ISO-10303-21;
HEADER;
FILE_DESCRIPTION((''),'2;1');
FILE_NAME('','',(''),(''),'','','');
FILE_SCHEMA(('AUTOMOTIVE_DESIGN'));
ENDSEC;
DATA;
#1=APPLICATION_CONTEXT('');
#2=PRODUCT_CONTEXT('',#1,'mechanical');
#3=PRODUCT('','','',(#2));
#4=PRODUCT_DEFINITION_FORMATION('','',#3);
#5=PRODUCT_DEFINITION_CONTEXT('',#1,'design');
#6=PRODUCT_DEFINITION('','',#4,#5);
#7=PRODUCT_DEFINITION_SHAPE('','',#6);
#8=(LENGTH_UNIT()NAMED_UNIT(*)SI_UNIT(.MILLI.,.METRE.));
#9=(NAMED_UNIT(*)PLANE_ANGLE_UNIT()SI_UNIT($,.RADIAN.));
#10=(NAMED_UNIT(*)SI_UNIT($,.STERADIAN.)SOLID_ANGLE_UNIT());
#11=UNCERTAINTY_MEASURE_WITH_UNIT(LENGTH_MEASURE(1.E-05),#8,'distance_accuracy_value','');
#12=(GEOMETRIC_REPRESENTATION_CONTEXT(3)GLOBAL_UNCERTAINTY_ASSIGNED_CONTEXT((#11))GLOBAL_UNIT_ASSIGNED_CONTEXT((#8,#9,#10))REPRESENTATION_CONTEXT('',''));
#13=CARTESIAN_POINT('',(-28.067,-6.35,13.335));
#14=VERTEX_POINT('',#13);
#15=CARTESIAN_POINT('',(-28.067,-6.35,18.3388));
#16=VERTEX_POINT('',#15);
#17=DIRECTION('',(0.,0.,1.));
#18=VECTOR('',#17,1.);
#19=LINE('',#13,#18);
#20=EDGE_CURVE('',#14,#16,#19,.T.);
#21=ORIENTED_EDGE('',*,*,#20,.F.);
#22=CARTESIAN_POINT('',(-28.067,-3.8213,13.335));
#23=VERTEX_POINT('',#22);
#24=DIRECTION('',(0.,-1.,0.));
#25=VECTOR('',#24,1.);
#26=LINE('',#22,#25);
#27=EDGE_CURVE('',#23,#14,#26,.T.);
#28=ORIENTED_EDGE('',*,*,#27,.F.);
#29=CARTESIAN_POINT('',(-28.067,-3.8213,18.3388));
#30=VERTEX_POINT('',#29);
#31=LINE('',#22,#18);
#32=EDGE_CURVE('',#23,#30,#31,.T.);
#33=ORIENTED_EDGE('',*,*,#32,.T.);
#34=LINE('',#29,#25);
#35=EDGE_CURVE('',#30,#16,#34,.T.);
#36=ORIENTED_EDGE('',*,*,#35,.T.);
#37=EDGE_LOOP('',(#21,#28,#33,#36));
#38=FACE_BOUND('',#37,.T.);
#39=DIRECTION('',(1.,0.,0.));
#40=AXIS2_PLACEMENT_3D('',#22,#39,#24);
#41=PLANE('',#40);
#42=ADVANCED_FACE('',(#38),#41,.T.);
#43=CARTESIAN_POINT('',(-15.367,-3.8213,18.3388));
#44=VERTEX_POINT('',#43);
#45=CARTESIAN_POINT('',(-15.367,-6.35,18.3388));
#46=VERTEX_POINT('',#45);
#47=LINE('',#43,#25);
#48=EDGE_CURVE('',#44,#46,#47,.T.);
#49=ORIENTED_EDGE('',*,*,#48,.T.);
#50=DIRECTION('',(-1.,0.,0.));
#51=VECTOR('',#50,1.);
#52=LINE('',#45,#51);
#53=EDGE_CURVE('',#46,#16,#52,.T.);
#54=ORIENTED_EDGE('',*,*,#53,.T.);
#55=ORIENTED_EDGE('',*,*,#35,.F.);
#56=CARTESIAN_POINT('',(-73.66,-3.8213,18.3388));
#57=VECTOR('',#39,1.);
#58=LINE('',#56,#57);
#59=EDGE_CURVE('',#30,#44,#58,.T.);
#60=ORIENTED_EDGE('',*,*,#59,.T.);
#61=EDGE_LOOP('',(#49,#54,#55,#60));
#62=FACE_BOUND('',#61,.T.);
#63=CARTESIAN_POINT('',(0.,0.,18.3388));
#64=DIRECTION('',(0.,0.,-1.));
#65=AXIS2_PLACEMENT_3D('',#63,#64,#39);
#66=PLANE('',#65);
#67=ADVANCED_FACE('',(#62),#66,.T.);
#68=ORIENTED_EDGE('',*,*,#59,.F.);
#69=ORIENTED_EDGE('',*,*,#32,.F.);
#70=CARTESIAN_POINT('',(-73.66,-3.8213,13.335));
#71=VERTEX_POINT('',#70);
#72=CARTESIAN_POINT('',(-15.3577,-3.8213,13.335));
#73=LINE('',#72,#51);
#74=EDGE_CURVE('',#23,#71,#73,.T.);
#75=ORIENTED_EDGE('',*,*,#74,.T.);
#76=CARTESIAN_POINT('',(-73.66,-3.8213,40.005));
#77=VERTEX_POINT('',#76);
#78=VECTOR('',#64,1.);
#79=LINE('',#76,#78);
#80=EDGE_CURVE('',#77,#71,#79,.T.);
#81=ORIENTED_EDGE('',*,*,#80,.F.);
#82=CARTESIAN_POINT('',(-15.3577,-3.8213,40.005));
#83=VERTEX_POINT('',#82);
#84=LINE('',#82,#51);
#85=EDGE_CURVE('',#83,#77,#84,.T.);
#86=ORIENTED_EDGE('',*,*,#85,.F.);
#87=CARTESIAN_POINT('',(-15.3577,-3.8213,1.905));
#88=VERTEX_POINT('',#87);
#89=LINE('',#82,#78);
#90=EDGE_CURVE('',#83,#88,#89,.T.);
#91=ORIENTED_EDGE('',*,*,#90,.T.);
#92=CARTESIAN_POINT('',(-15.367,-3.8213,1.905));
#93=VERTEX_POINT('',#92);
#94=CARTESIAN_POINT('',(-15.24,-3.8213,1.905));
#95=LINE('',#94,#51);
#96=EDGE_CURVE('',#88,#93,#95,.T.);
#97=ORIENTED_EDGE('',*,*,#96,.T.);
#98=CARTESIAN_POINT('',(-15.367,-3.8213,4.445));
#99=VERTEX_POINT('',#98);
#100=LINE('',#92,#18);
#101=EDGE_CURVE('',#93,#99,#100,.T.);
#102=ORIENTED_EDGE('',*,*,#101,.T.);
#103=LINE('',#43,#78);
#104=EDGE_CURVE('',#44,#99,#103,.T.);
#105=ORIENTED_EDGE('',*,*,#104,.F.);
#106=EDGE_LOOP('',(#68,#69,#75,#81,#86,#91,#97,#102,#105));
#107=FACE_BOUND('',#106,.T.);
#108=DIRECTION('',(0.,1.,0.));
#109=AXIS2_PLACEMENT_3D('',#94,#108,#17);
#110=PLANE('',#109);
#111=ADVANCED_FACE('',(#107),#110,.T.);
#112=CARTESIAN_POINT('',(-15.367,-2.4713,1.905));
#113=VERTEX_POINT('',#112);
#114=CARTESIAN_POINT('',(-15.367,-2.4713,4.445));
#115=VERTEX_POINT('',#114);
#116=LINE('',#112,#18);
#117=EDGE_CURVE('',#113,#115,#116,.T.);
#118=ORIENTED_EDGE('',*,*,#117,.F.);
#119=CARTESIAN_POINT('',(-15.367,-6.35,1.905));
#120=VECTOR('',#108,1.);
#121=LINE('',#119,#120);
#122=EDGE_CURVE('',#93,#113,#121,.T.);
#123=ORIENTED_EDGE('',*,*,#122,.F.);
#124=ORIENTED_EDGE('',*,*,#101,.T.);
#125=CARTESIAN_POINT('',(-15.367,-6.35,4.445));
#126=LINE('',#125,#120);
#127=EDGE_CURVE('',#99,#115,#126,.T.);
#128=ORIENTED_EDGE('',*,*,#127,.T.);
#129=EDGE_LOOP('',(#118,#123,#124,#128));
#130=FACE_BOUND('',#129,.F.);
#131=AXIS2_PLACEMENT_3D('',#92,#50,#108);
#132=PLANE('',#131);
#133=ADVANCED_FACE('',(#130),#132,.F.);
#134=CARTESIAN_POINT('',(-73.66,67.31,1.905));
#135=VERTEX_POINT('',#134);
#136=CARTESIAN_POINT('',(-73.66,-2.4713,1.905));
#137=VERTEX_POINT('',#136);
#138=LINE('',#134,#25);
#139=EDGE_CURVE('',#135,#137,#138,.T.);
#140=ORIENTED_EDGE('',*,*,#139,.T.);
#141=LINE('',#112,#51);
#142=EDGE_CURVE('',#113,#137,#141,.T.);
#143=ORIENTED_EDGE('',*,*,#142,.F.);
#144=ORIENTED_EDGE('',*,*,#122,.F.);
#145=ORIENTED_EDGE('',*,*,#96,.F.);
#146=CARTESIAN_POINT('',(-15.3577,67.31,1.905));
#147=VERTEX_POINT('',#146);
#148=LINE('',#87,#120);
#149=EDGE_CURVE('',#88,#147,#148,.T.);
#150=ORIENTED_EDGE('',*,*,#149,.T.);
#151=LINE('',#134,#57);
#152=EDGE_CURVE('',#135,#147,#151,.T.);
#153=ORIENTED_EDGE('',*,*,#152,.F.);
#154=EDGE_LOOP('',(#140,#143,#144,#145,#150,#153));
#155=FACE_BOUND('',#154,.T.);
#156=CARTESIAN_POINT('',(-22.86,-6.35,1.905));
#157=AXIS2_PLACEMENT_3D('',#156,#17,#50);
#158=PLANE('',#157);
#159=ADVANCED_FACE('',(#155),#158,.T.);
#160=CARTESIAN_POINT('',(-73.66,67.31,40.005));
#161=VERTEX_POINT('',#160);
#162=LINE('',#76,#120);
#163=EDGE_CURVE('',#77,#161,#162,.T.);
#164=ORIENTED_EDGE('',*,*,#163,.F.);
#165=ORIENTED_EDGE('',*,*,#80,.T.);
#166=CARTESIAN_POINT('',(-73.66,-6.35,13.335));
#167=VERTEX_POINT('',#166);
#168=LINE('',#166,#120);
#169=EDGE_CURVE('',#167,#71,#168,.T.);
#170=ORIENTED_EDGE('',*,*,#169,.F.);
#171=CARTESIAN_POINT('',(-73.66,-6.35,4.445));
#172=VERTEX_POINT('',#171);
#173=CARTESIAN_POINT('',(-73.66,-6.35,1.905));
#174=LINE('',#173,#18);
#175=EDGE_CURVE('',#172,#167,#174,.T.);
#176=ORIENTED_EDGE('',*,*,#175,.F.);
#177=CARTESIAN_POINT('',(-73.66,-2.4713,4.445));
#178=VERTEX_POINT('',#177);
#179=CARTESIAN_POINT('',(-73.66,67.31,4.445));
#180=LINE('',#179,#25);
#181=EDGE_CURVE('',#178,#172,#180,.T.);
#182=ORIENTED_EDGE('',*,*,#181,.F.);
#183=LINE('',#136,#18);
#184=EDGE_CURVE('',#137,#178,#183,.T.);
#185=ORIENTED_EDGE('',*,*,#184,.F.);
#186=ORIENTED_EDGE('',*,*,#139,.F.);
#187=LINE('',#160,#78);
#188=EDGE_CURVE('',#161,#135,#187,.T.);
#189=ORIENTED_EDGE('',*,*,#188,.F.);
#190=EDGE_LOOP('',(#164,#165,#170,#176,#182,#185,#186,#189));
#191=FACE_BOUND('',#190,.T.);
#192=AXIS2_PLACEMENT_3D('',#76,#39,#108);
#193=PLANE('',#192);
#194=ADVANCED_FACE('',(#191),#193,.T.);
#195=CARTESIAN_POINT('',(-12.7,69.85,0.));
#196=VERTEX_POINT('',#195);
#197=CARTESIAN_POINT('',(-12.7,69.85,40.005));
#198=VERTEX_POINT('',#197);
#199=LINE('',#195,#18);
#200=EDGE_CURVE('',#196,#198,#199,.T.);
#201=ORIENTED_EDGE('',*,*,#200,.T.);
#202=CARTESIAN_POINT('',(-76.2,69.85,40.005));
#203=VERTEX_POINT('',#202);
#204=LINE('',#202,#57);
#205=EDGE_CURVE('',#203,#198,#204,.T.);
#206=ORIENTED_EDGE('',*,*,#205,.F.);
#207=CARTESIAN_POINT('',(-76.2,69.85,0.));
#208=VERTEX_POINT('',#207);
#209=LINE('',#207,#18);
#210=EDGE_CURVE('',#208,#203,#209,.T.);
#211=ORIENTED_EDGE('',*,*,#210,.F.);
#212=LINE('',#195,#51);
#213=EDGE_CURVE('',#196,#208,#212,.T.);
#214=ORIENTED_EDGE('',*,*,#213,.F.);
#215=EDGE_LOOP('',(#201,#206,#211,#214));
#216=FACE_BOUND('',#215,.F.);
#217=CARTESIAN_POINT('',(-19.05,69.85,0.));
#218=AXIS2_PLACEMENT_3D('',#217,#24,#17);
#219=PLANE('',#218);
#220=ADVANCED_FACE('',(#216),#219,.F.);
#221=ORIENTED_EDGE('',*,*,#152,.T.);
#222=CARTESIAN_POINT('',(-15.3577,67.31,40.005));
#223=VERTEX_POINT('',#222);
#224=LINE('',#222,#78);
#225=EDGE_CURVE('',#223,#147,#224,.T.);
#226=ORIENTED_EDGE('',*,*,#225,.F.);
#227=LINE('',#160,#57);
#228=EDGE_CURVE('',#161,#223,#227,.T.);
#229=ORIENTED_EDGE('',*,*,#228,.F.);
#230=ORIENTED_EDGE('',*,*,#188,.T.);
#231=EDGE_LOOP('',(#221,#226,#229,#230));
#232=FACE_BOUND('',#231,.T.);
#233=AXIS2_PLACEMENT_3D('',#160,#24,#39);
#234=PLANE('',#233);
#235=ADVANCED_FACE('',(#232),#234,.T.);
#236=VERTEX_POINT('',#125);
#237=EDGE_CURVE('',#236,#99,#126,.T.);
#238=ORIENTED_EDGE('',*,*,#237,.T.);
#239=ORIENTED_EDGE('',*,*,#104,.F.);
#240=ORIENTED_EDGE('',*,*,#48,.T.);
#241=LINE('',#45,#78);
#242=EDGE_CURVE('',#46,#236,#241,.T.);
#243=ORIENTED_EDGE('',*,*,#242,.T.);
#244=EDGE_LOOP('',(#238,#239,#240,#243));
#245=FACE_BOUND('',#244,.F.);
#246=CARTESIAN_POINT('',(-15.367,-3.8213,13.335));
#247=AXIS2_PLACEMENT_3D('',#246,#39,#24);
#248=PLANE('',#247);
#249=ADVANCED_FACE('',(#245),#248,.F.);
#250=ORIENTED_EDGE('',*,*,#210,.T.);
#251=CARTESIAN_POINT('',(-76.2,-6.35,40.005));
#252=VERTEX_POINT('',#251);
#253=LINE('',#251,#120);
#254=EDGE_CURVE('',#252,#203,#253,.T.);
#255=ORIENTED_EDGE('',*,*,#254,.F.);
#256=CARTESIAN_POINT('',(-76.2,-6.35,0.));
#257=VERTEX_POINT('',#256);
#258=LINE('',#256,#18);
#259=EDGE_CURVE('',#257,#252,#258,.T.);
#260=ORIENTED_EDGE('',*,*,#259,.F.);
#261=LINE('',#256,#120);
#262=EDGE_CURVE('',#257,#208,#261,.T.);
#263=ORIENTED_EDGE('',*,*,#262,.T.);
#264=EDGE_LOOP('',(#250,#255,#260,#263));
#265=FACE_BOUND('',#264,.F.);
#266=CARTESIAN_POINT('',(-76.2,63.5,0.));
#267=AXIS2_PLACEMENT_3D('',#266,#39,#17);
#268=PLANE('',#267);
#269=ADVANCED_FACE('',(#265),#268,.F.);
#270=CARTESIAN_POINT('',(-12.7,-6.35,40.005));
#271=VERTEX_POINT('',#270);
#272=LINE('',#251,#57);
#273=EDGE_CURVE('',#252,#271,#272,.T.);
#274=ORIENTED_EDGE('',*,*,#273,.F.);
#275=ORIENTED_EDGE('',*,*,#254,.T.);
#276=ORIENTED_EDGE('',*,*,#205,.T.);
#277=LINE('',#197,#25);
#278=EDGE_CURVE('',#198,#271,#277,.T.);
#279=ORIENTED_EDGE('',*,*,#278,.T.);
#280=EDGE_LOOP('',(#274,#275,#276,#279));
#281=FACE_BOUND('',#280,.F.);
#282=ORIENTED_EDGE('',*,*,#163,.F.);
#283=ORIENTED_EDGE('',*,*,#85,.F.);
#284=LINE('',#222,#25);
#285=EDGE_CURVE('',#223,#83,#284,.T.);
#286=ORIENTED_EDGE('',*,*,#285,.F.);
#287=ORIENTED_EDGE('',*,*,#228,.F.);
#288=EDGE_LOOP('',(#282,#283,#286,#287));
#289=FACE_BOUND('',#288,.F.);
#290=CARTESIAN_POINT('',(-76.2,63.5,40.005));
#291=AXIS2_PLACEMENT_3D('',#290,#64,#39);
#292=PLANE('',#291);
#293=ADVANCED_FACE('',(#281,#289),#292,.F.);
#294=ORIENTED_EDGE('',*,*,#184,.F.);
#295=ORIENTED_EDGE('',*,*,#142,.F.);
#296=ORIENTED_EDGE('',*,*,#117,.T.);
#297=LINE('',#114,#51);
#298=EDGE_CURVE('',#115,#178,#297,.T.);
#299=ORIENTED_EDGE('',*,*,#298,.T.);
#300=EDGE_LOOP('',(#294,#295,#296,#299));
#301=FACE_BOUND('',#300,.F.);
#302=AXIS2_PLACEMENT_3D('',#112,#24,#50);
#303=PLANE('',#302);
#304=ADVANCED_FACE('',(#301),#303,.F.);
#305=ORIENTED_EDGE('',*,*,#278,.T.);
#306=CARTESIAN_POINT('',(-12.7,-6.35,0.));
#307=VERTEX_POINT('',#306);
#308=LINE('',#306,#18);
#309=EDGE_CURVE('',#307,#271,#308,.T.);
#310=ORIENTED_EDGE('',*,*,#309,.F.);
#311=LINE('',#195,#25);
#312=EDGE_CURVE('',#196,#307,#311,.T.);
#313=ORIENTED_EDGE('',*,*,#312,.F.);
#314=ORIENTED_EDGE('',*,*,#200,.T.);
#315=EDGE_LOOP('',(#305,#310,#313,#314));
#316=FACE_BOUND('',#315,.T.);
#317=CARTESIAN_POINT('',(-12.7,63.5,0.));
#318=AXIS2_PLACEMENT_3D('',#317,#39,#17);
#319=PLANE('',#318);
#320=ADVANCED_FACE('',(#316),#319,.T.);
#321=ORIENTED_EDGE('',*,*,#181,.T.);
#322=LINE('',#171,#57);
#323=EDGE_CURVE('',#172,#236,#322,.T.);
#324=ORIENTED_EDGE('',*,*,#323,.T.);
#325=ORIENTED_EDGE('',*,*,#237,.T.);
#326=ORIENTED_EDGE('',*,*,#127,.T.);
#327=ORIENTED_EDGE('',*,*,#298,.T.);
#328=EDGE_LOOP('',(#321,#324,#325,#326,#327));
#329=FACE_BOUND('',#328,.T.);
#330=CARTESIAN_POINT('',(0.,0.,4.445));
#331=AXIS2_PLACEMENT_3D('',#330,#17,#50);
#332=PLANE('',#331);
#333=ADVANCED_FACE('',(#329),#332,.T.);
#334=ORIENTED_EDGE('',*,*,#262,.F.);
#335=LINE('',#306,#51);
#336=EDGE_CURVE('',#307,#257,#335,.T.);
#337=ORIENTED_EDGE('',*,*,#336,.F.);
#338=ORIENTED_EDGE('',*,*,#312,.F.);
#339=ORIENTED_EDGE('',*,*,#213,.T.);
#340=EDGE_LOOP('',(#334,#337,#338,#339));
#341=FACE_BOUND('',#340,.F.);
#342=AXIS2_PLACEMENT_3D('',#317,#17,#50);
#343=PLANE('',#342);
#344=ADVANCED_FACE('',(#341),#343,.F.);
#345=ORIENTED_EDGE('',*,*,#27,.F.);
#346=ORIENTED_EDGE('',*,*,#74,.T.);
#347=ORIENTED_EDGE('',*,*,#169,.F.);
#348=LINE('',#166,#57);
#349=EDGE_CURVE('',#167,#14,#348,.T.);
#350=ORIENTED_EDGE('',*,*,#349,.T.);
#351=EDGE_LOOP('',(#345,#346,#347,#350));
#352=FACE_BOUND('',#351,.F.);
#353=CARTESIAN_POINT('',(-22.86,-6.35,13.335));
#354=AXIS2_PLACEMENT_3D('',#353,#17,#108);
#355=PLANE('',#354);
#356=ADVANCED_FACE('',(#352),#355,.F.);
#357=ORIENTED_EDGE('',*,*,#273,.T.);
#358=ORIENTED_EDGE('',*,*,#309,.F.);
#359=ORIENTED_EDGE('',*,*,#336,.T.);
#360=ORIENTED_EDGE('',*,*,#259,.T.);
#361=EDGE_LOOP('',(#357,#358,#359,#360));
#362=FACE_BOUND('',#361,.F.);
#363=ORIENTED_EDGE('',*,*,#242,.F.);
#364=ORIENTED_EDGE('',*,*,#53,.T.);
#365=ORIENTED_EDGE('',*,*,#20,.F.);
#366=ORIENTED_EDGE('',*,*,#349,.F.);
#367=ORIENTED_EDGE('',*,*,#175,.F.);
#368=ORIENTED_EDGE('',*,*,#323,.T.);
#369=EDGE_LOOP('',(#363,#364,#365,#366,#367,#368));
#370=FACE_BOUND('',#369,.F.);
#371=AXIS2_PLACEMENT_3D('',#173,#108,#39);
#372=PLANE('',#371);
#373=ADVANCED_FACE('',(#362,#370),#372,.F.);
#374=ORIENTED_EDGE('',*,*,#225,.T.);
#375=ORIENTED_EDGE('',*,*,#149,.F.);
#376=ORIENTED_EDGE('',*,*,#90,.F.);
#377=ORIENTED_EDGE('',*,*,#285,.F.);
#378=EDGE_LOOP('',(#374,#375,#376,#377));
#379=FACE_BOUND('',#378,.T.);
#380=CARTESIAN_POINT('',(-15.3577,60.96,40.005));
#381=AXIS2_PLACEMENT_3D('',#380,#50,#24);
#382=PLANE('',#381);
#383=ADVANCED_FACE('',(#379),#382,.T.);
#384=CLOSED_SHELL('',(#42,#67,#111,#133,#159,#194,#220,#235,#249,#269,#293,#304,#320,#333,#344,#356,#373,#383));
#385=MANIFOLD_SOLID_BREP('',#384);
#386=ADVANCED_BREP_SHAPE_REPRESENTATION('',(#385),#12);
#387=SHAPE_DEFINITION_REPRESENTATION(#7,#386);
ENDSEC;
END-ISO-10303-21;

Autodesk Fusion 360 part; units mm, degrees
sketch "Sketch1" plane through (0, 0, 0) normal (0, 0, 1) x (1, 0, 0)
  line L0 (-71.12, 30.48) -> (106.68, 30.48)
  line L1 (106.68, 30.48) -> (106.68, -102.87)
  line L2 (106.68, -102.87) -> (-71.12, -102.87)
  line L3 (-71.12, -102.87) -> (-71.12, 30.48)
  dimension "d1" = 177.8
  dimension "d2" = 133.35
sketch "Sketch2" plane through (0, 0, 0) normal (0, 0, 1) x (1, 0, 0)
  line L0 (-71.12, 30.48) -> (119.38, 30.48)
  line L1 (119.38, 30.48) -> (119.38, -115.57)
  line L2 (119.38, -115.57) -> (-71.12, -115.57)
  line L3 (-71.12, -115.57) -> (-71.12, 30.48)
  dimension "d23" = 146.05
sketch "Sketch3" plane through (-71.12, 0, 0) normal (-1, 0, 0) x (0, -1, 0)
  line L0 (102.87, 0) -> (115.57, 0)
  line L1 (115.57, 0) -> (115.57, 114.3)
  line L2 (115.57, 114.3) -> (102.87, 114.3)
  line L3 (88.9, 5.08) -> (38.1, 5.08)
  line L4 (38.1, 5.08) -> (38.1, 17.78)
  line L5 (38.1, 17.78) -> (88.9, 17.78)
  line L6 (88.9, 17.78) -> (88.9, 5.08)
  line L7 (102.87, 114.3) -> (102.87, 0)
  dimension "d26" = 12.7
sketch "Sketch4" plane through (0, 0, 0) normal (0, 0, 1) x (1, 0, 0)
  line L0 (-76.2, 63.5) -> (-19.05, 63.5)
  line L1 (-19.05, 63.5) -> (-19.05, -6.35)
  line L2 (-19.05, -6.35) -> (-76.2, -6.35)
  line L3 (-76.2, -6.35) -> (-76.2, 63.5)
  dimension "d29" = 57.15
  dimension "d30" = 69.85
extrude "Extrude13" add sketch "Sketch4" along normal blind 40.005
sketch "Sketch5" plane through (0, 0, 40.005) normal (0, 0, 1) x (-1, 0, 0)
  line L0 (76.2, 6.35) -> (19.05, 6.35)
  line L1 (19.05, 6.35) -> (19.05, -63.5)
  line L2 (19.05, -63.5) -> (76.2, -63.5)
  line L3 (76.2, -63.5) -> (76.2, 6.35)
  line L4 (73.66, -60.96) -> (21.7077, -60.96)
  line L5 (21.7077, -60.96) -> (21.7077, 3.8213)
  line L6 (21.7077, 3.8213) -> (73.66, 3.8213)
  line L7 (73.66, 3.8213) -> (73.66, -60.96)
extrude "Extrude14" cut sketch "Sketch5" against normal blind 38.1 contours L4 L5 L6 L7
sketch "Sketch6" plane through (0, -6.35, 0) normal (0, -1, 0) x (1, 0, 0)
  line L0 (-76.2, 0) -> (-19.05, 0)
  line L1 (-19.05, 0) -> (-19.05, 40.005)
  line L2 (-19.05, 40.005) -> (-76.2, 40.005)
  line L3 (-76.2, 40.005) -> (-76.2, 0)
  line L4 (-22.86, 2.54) -> (-73.66, 2.54)
  line L5 (-73.66, 2.54) -> (-73.66, 15.24)
  line L6 (-73.66, 15.24) -> (-22.86, 15.24)
  line L7 (-22.86, 15.24) -> (-22.86, 2.54)
  dimension "d35" = 50.8
  dimension "d36" = 12.7
extrude "Extrude15" cut sketch "Sketch6" against normal blind 19.9898 contours L4 L5 L6 L7
extrude "Extrude16" cut 1 faces at (-56.7267, -4.6642, 2.54) along direction (0, 0, -1) blind 0.635
extrude "Extrude17" add 1 faces at (-39.7933, -4.6642, 15.24) along direction (0, 0, -1) blind 1.905
extrude "Extrude18" add 1 faces at (-19.05, 40.2167, 13.335) along direction (1, 0, 0) blind 6.35
extrude "Extrude19" cut 1 faces at (-21.7077, 17.7724, 27.305) along direction (1, 0, 0) blind 6.35
extrude "Extrude20" cut 1 faces at (-22.86, -4.6642, 5.715) along direction (1, 0, 0) blind 7.62
extrude "Extrude21" add 1 faces at (-15.24, -4.6642, 5.715) along direction (-1, 0, 0) blind 0.127
extrude "Extrude22" add 1 faces at (-55.0333, 63.5, 13.335) along direction (0, 1, 0) blind 6.35
extrude "Extrude23" cut 1 faces at (-54.2259, 60.96, 27.305) along direction (0, 1, 0) blind 6.35
sketch "Sketch7" plane through (0, 0, 1.905) normal (0, 0, 1) x (-1, 0, 0)
  line L0 (15.367, 6.35) -> (15.367, 3.8213)
  line L1 (15.367, 3.8213) -> (15.3577, 3.8213)
  line L2 (15.3577, 3.8213) -> (15.3577, -67.31)
  line L3 (15.3577, -67.31) -> (73.66, -67.31)
  line L4 (73.66, -67.31) -> (73.66, 6.35)
  line L5 (73.66, 6.35) -> (15.367, 6.35)
  line L6 (73.66, 6.35) -> (15.367, 6.35)
  line L7 (15.367, 6.35) -> (15.367, 2.4713)
  line L8 (15.367, 2.4713) -> (73.66, 2.4713)
  line L9 (73.66, 2.4713) -> (73.66, 6.35)
extrude "Extrude24" add sketch "Sketch7" along normal blind 2.54 contours L0 L4 L5 L6 L7 L8 L9
sketch "Sketch8" plane through (0, 0, 13.335) normal (0, 0, -1) x (1, 0, 0)
  line L0 (-15.367, 3.8213) -> (-15.367, 6.35)
  line L1 (-15.367, 6.35) -> (-73.66, 6.35)
  line L2 (-73.66, 6.35) -> (-73.66, 3.8213)
  line L3 (-73.66, 3.8213) -> (-15.367, 3.8213)
  line L4 (-15.367, 3.8213) -> (-28.067, 3.8213)
  line L5 (-28.067, 3.8213) -> (-28.067, 6.35)
  line L6 (-28.067, 6.35) -> (-15.367, 6.35)
  line L7 (-15.367, 6.35) -> (-15.367, 3.8213)
  dimension "d57" = 12.7
extrude "Extrude25" cut sketch "Sketch8" against normal blind 5.0038 contours L0 L1 L3 L4 L5 L6 L7
